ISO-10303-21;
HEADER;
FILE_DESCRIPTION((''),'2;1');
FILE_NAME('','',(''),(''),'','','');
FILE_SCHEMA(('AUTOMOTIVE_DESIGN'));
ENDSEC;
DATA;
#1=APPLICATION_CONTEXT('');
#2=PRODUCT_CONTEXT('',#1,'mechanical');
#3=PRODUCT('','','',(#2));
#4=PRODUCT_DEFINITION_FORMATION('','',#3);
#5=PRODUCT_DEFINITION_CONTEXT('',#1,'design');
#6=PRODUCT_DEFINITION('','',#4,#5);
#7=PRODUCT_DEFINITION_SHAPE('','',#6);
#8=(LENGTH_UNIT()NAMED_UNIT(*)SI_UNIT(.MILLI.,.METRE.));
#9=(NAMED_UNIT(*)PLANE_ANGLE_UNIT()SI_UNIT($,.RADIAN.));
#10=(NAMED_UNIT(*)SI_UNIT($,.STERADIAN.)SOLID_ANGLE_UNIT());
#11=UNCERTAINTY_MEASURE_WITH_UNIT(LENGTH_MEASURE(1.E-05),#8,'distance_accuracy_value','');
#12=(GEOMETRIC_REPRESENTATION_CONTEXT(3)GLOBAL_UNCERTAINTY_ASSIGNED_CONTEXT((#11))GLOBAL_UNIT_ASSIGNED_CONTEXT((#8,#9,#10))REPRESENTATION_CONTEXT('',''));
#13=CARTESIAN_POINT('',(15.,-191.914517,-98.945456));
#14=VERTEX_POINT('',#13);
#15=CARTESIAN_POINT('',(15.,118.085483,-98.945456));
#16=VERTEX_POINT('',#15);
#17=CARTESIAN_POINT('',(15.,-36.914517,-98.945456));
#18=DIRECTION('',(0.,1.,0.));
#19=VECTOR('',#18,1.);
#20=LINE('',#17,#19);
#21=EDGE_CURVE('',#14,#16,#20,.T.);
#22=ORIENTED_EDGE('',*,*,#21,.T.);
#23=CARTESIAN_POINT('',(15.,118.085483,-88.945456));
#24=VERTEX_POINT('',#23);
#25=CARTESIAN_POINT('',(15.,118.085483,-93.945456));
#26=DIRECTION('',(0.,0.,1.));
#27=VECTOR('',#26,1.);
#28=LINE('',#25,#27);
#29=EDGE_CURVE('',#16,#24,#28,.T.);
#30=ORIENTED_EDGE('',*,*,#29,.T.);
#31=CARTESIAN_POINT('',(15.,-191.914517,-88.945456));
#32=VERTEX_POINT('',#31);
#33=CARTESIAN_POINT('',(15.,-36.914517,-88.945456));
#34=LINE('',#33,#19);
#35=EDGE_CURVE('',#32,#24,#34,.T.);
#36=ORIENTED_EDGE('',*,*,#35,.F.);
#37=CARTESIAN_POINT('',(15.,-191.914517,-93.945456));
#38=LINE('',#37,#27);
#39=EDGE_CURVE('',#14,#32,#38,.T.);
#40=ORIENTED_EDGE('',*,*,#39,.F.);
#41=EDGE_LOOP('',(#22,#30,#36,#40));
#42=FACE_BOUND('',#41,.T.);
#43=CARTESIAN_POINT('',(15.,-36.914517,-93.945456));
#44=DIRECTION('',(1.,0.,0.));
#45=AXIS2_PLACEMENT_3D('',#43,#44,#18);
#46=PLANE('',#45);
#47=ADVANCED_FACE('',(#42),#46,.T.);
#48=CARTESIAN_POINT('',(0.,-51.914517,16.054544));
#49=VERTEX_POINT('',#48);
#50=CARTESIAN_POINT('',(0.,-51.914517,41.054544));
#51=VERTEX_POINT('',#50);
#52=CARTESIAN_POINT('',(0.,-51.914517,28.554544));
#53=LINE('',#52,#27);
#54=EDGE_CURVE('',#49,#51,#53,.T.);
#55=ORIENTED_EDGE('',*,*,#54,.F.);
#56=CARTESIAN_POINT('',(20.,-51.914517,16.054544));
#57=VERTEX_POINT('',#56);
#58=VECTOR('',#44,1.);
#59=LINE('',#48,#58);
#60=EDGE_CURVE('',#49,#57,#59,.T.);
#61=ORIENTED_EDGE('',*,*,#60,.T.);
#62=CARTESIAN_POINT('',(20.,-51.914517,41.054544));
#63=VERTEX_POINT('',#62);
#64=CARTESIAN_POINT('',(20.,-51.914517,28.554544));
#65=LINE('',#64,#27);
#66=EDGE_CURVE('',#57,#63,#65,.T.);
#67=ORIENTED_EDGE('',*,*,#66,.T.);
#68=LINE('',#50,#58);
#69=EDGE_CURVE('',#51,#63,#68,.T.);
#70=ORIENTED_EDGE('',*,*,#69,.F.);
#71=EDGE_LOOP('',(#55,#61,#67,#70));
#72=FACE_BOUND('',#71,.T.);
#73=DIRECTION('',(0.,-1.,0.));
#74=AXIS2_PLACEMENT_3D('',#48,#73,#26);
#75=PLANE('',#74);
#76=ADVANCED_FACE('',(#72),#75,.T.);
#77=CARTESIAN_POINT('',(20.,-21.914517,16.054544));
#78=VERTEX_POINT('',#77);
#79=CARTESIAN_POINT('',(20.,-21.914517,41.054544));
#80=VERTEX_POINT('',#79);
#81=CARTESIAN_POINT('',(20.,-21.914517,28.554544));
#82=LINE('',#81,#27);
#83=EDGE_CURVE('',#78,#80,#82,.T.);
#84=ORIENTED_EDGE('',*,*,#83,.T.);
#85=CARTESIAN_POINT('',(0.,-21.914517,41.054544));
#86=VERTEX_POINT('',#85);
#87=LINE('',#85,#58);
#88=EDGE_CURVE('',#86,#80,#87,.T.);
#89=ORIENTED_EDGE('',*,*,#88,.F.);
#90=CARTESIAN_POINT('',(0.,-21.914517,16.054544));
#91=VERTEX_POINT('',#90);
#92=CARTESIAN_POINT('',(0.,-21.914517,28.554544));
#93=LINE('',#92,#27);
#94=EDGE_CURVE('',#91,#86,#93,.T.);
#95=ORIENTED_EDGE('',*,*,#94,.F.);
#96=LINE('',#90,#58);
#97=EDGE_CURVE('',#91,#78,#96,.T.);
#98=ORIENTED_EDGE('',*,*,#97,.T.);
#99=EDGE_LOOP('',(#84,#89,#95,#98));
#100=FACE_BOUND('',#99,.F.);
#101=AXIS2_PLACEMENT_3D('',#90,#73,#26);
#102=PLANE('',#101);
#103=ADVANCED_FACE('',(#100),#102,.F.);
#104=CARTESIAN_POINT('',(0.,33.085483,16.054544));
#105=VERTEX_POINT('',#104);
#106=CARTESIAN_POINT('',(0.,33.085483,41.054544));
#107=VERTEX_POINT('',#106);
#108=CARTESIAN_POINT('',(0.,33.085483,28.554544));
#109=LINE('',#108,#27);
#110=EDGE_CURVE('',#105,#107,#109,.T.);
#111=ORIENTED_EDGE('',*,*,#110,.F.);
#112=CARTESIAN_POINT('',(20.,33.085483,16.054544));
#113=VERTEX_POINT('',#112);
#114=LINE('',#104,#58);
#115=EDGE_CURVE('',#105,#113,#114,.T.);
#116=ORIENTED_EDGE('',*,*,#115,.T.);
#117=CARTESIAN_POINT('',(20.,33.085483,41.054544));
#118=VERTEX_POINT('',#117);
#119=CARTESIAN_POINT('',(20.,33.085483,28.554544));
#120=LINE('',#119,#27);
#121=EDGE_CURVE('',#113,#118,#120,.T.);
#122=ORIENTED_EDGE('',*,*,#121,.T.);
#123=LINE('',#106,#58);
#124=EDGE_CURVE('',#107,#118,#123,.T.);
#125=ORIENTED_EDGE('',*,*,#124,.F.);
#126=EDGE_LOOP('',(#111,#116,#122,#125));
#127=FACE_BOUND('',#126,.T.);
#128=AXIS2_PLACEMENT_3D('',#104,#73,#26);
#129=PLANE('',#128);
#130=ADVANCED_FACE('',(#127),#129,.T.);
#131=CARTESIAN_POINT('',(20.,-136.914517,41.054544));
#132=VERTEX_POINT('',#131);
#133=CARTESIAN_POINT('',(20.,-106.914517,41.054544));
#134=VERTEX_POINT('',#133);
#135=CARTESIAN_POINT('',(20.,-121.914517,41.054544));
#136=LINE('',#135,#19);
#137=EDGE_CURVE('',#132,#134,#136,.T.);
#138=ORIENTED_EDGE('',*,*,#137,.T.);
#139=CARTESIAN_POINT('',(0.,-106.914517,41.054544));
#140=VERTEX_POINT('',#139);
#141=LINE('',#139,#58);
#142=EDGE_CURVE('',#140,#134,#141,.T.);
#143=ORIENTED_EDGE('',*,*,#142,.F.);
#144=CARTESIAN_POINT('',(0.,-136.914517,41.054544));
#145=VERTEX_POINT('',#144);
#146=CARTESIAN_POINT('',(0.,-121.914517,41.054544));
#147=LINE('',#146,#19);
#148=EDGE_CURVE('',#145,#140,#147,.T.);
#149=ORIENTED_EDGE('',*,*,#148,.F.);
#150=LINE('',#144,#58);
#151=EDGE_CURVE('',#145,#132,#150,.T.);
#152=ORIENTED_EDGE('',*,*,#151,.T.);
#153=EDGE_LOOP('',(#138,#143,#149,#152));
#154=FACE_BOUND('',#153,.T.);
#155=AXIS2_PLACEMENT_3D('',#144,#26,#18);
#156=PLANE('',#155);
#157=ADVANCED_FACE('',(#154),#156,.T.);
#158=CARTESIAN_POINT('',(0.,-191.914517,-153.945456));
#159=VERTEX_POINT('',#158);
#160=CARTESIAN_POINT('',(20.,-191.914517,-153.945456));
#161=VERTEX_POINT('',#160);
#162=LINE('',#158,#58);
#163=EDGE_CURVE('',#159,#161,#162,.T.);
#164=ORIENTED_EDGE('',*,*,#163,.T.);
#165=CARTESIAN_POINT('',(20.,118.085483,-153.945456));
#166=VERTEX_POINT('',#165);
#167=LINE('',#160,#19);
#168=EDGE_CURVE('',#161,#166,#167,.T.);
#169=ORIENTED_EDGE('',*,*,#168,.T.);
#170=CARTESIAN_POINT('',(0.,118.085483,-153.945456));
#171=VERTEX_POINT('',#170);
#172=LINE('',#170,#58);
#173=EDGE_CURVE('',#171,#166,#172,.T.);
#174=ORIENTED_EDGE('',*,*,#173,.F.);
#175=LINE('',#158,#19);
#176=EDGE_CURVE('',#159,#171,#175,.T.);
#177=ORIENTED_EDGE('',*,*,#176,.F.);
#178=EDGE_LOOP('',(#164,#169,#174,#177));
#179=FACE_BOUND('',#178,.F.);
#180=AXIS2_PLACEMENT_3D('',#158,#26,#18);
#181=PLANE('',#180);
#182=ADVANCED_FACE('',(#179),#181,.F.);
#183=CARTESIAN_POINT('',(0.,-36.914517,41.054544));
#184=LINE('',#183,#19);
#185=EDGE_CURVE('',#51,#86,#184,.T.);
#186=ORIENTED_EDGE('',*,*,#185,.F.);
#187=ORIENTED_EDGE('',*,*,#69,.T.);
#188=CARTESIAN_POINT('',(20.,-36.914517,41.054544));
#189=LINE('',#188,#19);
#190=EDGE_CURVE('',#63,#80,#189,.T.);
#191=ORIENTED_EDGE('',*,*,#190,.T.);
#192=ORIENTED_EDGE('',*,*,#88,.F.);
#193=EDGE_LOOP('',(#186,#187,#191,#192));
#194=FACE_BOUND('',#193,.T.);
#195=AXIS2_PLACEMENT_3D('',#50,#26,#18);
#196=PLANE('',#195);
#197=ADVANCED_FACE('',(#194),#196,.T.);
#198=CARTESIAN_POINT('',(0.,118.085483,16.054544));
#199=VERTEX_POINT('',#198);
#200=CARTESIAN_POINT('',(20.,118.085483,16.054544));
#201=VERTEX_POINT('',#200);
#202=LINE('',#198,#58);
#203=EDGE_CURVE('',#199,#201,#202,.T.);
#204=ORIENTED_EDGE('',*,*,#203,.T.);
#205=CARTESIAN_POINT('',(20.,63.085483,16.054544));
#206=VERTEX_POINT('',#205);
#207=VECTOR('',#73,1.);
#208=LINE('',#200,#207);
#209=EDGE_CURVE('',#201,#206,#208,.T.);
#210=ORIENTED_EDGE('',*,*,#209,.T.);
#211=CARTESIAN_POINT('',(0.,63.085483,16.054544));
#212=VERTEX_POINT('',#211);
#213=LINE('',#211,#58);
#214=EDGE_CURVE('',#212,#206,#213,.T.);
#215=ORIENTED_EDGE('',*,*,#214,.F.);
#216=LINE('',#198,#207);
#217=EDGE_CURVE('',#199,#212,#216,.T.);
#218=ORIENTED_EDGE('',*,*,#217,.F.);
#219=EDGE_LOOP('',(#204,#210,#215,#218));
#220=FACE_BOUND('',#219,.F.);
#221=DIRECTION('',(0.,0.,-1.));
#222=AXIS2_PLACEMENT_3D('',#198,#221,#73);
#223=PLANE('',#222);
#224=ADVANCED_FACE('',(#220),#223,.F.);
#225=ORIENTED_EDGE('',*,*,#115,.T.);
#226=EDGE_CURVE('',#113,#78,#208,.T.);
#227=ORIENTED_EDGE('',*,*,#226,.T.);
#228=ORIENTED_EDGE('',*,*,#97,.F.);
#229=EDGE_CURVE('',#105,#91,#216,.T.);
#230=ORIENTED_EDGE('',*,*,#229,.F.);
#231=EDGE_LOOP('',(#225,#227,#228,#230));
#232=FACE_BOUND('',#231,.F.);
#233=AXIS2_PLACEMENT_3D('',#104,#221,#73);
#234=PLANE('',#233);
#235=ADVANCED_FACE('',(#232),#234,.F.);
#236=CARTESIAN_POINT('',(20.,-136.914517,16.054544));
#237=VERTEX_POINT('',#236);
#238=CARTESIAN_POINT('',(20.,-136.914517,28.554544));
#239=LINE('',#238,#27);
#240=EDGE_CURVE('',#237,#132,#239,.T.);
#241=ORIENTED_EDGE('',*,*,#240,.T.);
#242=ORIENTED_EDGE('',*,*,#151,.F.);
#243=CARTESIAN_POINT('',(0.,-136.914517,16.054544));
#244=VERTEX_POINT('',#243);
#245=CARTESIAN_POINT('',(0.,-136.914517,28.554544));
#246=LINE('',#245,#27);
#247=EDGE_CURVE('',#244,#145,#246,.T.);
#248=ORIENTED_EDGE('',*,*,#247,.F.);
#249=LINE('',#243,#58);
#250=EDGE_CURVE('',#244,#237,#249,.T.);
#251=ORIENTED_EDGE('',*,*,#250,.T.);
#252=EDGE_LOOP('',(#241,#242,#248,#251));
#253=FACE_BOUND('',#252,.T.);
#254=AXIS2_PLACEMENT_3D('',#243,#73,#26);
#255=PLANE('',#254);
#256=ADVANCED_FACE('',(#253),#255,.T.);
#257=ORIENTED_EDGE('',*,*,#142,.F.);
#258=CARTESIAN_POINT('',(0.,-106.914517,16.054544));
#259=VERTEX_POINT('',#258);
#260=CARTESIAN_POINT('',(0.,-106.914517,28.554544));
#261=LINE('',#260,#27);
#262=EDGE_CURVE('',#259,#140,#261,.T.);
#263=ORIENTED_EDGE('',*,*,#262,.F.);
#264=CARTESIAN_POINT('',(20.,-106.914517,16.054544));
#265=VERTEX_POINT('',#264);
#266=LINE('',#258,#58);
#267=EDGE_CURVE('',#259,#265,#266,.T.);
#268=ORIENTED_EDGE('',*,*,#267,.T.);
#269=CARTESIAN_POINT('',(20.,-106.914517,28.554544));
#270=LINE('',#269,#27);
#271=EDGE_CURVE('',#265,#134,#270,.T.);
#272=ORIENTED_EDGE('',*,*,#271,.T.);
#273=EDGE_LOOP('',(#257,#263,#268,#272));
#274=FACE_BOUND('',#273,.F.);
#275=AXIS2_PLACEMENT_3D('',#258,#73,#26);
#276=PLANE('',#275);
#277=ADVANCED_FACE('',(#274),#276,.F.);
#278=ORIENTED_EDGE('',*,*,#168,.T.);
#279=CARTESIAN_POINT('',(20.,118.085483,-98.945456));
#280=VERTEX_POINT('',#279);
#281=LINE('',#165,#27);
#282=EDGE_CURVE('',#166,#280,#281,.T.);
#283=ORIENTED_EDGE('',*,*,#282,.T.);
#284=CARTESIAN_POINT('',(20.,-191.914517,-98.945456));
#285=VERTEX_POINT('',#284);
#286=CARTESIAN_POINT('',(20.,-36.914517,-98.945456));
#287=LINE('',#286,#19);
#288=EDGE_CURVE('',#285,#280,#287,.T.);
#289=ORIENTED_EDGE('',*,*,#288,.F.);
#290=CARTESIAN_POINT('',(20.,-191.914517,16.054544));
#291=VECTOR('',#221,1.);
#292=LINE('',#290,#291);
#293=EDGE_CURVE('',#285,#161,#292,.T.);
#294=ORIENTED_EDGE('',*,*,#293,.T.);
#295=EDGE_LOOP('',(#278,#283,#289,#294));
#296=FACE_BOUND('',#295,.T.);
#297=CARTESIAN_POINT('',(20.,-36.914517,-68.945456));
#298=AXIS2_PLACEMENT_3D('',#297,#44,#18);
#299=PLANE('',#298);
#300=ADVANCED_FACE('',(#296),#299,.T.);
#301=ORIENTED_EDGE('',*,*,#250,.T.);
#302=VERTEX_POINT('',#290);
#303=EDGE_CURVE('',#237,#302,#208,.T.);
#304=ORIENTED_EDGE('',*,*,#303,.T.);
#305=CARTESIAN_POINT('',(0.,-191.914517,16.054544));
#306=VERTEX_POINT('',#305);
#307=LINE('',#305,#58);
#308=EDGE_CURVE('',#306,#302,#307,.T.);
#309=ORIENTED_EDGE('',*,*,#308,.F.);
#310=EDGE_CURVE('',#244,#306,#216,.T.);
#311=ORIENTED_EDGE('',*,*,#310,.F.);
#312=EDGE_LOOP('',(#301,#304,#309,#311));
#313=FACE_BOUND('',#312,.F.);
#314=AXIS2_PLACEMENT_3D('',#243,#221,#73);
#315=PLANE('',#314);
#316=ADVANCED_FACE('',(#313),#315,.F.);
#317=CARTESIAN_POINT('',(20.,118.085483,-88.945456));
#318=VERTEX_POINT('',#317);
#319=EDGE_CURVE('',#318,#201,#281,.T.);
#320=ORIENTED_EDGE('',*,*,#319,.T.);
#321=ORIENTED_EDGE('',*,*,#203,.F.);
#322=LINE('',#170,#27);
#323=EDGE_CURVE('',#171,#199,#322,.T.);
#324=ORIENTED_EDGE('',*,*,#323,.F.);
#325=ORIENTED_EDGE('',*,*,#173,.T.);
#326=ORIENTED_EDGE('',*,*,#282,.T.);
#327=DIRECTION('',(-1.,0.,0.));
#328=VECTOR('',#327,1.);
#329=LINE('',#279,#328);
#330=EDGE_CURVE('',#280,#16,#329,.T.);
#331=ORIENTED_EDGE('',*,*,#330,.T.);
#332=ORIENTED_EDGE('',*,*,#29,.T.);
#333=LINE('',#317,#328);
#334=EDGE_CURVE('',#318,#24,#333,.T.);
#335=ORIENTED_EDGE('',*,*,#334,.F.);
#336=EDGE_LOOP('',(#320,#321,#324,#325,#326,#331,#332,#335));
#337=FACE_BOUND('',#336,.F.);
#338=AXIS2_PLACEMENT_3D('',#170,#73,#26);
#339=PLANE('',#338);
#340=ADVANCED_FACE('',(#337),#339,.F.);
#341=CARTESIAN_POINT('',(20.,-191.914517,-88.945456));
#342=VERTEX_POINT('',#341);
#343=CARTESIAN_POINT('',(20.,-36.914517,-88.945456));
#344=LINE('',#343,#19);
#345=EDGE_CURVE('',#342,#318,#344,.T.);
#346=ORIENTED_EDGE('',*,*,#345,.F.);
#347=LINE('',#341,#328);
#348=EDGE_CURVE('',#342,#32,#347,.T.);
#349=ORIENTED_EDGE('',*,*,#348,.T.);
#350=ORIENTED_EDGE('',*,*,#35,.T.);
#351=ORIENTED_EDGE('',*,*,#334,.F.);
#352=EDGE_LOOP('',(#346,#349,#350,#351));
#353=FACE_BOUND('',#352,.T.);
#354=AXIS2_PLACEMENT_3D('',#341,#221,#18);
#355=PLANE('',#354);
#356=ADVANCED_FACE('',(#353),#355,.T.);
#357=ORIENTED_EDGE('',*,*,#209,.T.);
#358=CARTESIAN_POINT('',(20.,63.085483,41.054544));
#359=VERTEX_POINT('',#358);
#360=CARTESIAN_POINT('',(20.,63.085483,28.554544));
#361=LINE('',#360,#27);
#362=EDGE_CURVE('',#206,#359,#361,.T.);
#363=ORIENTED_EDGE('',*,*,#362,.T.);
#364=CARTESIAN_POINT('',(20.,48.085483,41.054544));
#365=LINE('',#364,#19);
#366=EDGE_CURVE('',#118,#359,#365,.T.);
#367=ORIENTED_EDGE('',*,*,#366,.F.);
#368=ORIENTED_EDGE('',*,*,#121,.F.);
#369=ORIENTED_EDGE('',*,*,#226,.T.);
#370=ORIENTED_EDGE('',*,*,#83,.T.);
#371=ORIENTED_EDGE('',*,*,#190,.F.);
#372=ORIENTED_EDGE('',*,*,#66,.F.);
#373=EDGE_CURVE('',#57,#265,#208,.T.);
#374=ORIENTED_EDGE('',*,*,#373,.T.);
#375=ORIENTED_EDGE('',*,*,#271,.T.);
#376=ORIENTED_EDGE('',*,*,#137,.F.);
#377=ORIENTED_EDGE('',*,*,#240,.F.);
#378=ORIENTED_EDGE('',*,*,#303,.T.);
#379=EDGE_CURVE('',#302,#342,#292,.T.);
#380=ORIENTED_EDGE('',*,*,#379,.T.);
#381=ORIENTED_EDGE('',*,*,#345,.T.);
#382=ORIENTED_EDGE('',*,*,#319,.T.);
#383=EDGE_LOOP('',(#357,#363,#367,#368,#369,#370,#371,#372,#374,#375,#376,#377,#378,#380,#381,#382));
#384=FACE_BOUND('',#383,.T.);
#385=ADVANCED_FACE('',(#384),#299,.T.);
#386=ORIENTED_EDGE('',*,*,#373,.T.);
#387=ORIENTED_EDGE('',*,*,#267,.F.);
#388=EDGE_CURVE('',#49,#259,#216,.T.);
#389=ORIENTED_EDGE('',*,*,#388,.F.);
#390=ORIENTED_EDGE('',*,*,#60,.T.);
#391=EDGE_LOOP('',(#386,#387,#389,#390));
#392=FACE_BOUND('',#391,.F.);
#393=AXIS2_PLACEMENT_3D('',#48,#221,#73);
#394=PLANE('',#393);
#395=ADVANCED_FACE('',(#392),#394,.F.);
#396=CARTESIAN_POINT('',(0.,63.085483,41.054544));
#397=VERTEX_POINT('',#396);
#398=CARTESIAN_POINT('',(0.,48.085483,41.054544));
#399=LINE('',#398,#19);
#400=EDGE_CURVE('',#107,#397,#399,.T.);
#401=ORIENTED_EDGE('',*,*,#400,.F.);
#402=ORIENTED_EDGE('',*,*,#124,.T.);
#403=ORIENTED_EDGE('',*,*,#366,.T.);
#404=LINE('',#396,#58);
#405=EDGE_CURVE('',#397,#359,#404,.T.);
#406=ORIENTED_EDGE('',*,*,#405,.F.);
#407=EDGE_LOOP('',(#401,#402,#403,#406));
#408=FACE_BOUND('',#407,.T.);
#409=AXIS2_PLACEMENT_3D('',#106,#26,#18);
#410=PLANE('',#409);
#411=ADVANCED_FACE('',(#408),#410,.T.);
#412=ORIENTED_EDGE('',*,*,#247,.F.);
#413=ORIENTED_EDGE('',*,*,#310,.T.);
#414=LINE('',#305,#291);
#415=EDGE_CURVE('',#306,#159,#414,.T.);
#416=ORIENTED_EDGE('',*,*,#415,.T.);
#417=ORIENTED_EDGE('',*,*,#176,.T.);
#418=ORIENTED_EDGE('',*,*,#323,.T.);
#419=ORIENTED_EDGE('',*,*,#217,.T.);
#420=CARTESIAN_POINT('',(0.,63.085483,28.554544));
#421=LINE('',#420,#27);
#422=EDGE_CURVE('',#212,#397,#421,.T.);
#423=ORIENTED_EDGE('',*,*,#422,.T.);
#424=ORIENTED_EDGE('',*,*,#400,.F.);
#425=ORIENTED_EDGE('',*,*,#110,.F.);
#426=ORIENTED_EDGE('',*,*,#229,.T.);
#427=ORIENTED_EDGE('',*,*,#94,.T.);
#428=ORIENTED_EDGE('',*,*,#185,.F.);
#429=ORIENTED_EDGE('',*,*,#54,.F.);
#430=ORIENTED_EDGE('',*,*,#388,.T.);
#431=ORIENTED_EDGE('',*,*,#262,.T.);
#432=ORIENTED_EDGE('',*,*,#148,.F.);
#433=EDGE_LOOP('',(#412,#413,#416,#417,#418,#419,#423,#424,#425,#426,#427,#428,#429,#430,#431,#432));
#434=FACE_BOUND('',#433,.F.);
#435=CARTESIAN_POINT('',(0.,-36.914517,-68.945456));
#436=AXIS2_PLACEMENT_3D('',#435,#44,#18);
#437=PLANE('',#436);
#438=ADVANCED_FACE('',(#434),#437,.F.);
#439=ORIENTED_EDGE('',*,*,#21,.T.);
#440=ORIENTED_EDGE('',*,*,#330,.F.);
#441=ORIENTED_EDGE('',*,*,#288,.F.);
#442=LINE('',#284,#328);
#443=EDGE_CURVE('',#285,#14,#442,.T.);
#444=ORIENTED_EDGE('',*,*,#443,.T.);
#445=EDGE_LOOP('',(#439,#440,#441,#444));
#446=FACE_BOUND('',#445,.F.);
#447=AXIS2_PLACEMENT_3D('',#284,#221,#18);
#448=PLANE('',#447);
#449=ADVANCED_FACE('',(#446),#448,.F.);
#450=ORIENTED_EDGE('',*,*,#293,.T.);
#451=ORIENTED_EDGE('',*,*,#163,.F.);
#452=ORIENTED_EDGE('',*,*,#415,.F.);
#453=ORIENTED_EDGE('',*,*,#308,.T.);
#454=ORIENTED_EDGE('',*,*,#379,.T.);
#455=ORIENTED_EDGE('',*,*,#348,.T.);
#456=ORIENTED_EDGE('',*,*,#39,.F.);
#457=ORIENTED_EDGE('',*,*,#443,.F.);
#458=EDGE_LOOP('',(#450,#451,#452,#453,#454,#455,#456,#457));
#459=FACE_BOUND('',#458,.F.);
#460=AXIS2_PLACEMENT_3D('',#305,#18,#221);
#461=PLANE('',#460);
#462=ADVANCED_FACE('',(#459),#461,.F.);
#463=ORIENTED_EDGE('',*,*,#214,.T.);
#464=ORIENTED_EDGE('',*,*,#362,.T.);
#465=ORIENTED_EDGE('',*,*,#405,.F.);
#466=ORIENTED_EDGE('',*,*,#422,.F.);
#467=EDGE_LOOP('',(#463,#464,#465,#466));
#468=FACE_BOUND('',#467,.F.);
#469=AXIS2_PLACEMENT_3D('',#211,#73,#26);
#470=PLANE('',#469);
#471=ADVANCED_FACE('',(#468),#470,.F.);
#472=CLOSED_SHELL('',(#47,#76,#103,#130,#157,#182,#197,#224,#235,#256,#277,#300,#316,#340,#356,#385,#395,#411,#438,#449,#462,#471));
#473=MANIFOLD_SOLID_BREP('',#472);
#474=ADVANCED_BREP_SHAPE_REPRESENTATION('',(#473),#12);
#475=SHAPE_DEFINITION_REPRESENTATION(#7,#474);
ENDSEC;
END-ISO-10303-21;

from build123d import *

# Parameters (mm, degrees)
F0_W     = 30
F0_H     = 25
F1_DEPTH = 20
F2_W     = 310
F2_H     = 10
F3_DEPTH = 5


with BuildPart() as f1:
    # F0 (on Right) → F1 (new body)
    with BuildSketch(Plane.YZ):
        Polygon((-136.914517, 16.054544), (-191.914517, 16.054544), (-191.914517, -153.945456), (118.085483, -153.945456), (118.085483, 16.054544), (63.085483, 16.054544), (33.085483, 16.054544), (-21.914517, 16.054544), (-51.914517, 16.054544), (-106.914517, 16.054544), align=None)
        with Locations((-121.914517, 28.554544)):
            Rectangle(F0_W, F0_H)
        with Locations((-36.914517, 28.554544)):
            Rectangle(F0_W, F0_H)
        with Locations((48.085483, 28.554544)):
            Rectangle(F0_W, F0_H)
    extrude(amount=F1_DEPTH)

    # F2 (on face) → F3 (cut)
    with BuildSketch(Plane.YZ.offset(20)):
        with Locations((-36.914517, -93.945456)):
            Rectangle(F2_W, F2_H)
    extrude(amount=-F3_DEPTH, mode=Mode.SUBTRACT)


solid = f1.part
